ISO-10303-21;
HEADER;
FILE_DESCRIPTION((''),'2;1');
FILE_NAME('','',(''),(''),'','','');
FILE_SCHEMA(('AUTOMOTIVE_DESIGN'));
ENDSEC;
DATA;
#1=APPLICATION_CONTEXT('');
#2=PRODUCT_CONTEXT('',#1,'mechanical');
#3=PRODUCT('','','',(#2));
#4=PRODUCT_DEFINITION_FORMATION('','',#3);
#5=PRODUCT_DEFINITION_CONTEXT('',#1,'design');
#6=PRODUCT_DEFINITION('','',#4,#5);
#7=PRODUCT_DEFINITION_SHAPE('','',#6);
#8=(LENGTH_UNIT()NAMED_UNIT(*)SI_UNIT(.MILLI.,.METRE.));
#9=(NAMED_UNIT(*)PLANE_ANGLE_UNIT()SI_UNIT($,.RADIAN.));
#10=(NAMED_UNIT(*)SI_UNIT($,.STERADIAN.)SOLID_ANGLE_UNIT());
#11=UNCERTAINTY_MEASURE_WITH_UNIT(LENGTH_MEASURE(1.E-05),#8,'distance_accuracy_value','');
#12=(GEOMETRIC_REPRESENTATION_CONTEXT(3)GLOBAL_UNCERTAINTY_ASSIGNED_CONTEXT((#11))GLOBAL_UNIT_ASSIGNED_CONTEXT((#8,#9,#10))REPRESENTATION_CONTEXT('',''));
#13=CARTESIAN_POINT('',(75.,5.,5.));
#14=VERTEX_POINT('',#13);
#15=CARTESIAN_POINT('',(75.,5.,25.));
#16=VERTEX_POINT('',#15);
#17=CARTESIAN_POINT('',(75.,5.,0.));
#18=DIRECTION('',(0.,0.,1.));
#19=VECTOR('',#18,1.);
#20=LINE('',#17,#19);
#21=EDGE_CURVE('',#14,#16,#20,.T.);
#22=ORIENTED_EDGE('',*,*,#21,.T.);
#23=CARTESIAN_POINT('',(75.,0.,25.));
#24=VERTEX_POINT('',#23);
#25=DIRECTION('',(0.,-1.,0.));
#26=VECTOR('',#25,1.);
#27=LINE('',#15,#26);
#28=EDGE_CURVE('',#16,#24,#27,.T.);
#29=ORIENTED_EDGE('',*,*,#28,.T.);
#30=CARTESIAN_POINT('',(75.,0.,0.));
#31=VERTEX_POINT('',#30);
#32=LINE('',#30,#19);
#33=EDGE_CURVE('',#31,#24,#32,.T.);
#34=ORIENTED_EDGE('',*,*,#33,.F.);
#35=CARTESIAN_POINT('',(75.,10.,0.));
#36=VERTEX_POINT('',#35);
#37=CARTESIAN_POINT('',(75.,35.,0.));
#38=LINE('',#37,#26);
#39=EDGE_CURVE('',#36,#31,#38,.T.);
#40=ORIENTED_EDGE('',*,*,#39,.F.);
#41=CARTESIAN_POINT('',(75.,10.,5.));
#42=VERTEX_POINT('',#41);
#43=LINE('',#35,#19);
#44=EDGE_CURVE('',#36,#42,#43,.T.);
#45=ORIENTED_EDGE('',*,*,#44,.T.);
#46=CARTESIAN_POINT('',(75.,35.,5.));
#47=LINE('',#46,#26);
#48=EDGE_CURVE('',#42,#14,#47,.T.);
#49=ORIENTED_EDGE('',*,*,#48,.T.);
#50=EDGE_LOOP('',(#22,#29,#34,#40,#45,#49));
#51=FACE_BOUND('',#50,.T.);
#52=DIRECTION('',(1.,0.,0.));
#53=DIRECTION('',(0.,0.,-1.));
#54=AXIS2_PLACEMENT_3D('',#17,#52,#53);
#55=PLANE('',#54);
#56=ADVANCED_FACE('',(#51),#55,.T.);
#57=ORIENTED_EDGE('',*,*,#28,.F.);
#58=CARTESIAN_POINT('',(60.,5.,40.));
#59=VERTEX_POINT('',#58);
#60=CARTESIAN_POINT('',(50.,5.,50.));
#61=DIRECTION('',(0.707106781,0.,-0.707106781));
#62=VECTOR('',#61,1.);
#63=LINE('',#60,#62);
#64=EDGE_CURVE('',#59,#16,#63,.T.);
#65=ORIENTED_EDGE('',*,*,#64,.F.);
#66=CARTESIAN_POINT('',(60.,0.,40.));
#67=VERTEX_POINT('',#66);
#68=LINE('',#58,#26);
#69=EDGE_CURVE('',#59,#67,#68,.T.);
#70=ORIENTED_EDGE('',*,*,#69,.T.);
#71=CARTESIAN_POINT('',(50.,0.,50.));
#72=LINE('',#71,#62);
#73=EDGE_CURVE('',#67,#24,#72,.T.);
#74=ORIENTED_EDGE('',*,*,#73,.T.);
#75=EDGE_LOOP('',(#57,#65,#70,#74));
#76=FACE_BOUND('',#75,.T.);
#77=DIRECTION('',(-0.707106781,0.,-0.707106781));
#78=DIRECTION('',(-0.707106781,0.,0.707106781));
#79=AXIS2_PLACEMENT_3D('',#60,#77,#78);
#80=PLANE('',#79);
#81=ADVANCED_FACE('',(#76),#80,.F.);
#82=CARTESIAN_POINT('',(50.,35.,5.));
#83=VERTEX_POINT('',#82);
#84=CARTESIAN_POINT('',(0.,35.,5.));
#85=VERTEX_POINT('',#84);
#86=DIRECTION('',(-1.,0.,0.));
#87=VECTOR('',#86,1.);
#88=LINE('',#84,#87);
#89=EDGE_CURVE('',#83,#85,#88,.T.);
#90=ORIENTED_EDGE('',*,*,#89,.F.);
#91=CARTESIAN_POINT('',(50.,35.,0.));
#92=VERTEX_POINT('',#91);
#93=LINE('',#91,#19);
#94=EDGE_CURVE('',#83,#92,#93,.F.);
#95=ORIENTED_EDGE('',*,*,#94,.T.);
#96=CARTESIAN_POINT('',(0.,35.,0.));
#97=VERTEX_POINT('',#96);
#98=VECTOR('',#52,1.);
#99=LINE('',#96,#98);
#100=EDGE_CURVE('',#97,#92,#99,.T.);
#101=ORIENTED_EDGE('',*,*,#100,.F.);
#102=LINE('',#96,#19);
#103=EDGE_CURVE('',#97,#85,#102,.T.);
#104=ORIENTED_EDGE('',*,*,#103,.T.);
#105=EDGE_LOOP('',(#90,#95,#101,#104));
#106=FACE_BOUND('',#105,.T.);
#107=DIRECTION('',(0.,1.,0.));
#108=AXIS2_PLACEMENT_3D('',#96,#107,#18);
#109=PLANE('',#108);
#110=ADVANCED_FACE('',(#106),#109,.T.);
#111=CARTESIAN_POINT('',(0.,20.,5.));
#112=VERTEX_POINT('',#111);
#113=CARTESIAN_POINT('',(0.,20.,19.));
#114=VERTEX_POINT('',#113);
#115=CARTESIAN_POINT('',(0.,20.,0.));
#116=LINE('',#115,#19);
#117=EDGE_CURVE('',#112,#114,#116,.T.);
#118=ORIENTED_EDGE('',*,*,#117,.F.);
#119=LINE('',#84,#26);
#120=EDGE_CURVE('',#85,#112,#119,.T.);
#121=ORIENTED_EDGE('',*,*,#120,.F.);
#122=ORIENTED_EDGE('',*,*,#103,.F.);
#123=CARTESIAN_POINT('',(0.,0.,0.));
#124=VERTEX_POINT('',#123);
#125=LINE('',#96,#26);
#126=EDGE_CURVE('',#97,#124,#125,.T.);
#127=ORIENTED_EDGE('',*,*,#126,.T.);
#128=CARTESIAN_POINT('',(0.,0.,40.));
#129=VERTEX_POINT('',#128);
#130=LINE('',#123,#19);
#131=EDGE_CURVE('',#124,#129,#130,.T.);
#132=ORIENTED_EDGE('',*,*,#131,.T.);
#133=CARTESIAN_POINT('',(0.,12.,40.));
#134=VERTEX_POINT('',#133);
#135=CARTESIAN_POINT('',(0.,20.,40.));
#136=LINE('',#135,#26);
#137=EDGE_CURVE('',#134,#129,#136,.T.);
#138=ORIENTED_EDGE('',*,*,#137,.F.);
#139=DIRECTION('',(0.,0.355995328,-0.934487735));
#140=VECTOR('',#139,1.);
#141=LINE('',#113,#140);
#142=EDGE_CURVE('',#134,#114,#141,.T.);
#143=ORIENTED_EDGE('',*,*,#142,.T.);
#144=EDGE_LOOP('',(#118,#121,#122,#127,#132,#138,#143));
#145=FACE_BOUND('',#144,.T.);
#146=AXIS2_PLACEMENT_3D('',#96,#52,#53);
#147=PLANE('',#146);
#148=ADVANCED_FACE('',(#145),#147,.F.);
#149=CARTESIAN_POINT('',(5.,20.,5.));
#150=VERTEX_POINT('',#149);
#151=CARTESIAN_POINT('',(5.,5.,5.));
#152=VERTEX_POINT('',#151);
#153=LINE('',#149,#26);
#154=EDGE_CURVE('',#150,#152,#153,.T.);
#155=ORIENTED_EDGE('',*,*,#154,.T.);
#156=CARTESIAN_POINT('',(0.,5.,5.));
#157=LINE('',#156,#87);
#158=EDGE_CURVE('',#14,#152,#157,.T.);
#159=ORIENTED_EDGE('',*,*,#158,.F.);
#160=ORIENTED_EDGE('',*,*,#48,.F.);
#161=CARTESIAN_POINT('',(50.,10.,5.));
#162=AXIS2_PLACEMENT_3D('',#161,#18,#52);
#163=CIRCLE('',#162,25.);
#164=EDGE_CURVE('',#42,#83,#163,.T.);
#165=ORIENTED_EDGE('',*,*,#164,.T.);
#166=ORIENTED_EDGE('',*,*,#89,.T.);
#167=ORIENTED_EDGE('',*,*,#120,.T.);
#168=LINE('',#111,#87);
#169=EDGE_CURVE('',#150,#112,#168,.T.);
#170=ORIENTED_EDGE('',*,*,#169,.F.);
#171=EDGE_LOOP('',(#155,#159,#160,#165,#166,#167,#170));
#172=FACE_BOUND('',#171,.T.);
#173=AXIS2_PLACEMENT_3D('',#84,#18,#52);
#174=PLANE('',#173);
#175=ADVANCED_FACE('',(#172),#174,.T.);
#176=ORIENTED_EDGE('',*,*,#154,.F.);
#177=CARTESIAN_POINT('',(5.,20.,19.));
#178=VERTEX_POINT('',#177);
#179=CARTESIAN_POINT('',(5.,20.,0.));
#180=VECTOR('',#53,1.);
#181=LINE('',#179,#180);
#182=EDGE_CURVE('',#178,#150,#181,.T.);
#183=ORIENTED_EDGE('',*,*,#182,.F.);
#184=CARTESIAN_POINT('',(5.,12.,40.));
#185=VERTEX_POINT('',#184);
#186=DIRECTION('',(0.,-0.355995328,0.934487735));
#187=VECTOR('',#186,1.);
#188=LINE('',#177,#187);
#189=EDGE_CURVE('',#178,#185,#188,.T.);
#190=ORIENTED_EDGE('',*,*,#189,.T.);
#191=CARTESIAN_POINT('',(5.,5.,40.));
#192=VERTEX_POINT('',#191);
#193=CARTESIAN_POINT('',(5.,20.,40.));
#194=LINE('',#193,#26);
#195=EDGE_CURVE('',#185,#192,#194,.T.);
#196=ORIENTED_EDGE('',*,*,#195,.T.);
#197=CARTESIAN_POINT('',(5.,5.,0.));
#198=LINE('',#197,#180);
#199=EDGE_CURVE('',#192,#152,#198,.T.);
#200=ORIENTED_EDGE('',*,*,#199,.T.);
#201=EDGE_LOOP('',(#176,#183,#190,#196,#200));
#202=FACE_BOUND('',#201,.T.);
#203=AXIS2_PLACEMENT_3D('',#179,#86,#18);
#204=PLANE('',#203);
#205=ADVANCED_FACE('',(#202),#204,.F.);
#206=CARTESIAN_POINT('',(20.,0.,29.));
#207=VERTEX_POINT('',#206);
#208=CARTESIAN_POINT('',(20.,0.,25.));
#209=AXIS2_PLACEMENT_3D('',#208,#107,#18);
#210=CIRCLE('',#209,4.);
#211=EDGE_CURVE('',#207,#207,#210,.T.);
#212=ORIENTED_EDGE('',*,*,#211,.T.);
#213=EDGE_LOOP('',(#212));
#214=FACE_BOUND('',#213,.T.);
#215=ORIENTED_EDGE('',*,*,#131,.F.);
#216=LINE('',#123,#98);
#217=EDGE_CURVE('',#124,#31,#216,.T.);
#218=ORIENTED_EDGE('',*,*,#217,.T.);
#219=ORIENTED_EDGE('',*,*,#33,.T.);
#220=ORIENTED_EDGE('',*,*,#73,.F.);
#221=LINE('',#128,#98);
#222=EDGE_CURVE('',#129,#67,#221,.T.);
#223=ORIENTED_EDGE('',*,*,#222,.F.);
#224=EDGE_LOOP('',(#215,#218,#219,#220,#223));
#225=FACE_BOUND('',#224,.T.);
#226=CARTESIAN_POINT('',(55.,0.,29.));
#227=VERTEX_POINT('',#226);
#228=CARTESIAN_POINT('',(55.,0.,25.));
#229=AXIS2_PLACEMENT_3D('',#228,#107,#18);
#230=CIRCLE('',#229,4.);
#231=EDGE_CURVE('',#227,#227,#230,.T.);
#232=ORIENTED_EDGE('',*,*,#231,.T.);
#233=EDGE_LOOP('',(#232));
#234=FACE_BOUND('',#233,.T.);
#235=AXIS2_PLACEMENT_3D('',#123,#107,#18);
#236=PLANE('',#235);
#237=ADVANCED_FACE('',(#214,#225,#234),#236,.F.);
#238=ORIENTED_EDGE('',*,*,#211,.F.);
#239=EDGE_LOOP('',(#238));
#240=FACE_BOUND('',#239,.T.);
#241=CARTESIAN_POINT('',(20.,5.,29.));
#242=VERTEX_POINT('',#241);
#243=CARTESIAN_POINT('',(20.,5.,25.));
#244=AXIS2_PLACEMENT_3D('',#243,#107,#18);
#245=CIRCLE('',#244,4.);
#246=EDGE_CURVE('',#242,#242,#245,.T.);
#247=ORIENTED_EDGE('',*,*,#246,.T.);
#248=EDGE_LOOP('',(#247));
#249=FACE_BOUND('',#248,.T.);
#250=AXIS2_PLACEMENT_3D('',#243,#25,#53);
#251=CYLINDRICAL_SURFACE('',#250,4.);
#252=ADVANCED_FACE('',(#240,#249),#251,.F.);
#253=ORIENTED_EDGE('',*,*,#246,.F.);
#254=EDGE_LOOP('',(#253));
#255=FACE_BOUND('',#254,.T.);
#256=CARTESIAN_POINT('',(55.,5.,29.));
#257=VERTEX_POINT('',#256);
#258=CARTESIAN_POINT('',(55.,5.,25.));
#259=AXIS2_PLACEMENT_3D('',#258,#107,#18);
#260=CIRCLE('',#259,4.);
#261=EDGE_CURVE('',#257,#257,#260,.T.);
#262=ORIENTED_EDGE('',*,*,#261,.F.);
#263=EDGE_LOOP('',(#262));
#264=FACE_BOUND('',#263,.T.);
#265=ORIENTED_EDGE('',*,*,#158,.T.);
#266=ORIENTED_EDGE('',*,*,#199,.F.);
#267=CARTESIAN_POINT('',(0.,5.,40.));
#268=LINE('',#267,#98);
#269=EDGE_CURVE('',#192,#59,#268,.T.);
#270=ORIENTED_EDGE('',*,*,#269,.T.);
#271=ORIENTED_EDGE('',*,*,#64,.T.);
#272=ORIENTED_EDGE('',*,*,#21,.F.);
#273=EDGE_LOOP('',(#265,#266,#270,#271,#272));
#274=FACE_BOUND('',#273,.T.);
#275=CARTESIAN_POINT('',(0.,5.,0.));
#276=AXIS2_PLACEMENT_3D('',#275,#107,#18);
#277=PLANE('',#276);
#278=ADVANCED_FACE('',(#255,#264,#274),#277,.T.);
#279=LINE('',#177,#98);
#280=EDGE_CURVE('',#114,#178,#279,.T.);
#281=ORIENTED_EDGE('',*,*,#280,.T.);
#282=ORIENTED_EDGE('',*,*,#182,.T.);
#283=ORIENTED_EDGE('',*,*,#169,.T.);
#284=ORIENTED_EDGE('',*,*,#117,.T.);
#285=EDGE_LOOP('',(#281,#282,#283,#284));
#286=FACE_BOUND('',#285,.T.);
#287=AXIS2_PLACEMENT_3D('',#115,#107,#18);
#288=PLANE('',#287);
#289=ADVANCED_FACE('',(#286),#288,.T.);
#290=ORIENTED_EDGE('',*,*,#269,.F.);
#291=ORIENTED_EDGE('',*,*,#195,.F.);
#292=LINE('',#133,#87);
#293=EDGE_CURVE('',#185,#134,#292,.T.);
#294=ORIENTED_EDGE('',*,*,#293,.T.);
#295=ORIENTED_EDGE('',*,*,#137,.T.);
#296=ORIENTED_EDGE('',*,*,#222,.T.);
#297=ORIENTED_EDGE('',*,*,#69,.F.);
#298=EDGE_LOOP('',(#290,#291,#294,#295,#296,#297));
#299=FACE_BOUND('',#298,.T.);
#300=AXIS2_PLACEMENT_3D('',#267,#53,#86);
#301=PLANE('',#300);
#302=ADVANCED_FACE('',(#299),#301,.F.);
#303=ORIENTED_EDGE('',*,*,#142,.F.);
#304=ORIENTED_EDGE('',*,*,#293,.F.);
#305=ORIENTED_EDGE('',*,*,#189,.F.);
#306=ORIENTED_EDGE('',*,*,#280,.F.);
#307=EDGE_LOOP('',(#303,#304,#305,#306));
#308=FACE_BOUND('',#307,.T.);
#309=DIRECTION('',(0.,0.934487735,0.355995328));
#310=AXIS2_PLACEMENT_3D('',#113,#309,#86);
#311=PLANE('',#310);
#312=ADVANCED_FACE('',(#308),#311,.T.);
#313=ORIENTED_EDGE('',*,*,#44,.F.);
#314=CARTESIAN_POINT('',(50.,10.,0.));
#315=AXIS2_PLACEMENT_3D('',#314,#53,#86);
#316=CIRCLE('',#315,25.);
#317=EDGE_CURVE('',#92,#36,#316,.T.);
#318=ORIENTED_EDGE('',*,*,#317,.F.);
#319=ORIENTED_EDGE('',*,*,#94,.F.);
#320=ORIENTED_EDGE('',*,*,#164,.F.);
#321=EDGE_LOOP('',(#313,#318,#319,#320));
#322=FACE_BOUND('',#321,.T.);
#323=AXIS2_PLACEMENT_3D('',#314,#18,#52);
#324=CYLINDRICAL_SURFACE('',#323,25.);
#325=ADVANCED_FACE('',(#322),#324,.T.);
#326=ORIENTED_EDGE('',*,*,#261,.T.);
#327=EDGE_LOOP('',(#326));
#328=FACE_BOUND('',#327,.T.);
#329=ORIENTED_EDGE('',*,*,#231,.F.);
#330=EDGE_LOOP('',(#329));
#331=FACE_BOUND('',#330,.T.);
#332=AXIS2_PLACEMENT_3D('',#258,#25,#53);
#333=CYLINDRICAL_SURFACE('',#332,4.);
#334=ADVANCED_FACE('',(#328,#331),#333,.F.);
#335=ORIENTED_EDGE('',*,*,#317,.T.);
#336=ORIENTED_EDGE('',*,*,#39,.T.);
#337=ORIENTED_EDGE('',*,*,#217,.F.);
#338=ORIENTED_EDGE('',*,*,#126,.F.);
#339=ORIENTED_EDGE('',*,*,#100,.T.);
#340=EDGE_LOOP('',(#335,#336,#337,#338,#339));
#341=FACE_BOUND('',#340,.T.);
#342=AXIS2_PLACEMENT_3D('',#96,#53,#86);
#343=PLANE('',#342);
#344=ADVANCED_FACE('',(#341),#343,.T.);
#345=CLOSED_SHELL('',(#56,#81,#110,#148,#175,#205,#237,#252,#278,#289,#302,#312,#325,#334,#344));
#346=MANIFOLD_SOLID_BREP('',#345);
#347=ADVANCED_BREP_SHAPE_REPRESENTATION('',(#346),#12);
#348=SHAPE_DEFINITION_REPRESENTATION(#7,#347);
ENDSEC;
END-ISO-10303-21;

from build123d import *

# Parameters (mm, degrees)
SKETCH1_R           = 4
BOSS_EXTRUDE1_DEPTH = 5
BOSS_EXTRUDE2_DEPTH = 35
SKETCH1_4_W         = 5
SKETCH1_4_H         = 35
BOSS_EXTRUDE3_DEPTH = 20
CHAMFER1_SIZE       = 8
CHAMFER1_SIZE2      = 21
FILLET1_R           = 25


with BuildPart() as part:
    # Sketch1 → Boss-Extrude1 (new body)
    with BuildSketch(Plane(origin=(0, 0, 0), x_dir=(1, 0, 0), z_dir=(0, 1, 0))):
        Polygon((5, -5), (5, -40), (60, -40), (75, -25), (75, -5), align=None)
        with Locations((20, -25)):
            Circle(SKETCH1_R, mode=Mode.SUBTRACT)
        with Locations((55, -25)):
            Circle(SKETCH1_R, mode=Mode.SUBTRACT)
    extrude(amount=BOSS_EXTRUDE1_DEPTH)

    # Sketch1<3> → Boss-Extrude2 (add)
    with BuildSketch(Plane(origin=(0, 0, 0), x_dir=(1, 0, 0), z_dir=(0, 1, 0))):
        Polygon((0, -5), (5, -5), (75, -5), (75, 0), (0, 0), align=None)
    extrude(amount=BOSS_EXTRUDE2_DEPTH)

    # Sketch1<4> → Boss-Extrude3 (add)
    with BuildSketch(Plane(origin=(0, 0, 0), x_dir=(1, 0, 0), z_dir=(0, 1, 0))):
        with Locations((2.5, -22.5)):
            Rectangle(SKETCH1_4_W, SKETCH1_4_H)
    extrude(amount=BOSS_EXTRUDE3_DEPTH)

    # Chamfer1
    chamfer1_edges = [part.edges().sort_by_distance(p)[0] for p in [
        (2.5, 20, 40),
    ]]
    chamfer1_side = [part.faces().sort_by_distance(p)[0] for p in [
        (24.5, 4.5, 40),
    ]]
    chamfer(chamfer1_edges, length=CHAMFER1_SIZE, length2=CHAMFER1_SIZE2, reference=chamfer1_side[0])

    # Fillet1
    fillet1_edges = [part.edges().sort_by_distance(p)[0] for p in [
        (75, 35, 2.5),
    ]]
    fillet(fillet1_edges, radius=FILLET1_R)


solid = part.part
